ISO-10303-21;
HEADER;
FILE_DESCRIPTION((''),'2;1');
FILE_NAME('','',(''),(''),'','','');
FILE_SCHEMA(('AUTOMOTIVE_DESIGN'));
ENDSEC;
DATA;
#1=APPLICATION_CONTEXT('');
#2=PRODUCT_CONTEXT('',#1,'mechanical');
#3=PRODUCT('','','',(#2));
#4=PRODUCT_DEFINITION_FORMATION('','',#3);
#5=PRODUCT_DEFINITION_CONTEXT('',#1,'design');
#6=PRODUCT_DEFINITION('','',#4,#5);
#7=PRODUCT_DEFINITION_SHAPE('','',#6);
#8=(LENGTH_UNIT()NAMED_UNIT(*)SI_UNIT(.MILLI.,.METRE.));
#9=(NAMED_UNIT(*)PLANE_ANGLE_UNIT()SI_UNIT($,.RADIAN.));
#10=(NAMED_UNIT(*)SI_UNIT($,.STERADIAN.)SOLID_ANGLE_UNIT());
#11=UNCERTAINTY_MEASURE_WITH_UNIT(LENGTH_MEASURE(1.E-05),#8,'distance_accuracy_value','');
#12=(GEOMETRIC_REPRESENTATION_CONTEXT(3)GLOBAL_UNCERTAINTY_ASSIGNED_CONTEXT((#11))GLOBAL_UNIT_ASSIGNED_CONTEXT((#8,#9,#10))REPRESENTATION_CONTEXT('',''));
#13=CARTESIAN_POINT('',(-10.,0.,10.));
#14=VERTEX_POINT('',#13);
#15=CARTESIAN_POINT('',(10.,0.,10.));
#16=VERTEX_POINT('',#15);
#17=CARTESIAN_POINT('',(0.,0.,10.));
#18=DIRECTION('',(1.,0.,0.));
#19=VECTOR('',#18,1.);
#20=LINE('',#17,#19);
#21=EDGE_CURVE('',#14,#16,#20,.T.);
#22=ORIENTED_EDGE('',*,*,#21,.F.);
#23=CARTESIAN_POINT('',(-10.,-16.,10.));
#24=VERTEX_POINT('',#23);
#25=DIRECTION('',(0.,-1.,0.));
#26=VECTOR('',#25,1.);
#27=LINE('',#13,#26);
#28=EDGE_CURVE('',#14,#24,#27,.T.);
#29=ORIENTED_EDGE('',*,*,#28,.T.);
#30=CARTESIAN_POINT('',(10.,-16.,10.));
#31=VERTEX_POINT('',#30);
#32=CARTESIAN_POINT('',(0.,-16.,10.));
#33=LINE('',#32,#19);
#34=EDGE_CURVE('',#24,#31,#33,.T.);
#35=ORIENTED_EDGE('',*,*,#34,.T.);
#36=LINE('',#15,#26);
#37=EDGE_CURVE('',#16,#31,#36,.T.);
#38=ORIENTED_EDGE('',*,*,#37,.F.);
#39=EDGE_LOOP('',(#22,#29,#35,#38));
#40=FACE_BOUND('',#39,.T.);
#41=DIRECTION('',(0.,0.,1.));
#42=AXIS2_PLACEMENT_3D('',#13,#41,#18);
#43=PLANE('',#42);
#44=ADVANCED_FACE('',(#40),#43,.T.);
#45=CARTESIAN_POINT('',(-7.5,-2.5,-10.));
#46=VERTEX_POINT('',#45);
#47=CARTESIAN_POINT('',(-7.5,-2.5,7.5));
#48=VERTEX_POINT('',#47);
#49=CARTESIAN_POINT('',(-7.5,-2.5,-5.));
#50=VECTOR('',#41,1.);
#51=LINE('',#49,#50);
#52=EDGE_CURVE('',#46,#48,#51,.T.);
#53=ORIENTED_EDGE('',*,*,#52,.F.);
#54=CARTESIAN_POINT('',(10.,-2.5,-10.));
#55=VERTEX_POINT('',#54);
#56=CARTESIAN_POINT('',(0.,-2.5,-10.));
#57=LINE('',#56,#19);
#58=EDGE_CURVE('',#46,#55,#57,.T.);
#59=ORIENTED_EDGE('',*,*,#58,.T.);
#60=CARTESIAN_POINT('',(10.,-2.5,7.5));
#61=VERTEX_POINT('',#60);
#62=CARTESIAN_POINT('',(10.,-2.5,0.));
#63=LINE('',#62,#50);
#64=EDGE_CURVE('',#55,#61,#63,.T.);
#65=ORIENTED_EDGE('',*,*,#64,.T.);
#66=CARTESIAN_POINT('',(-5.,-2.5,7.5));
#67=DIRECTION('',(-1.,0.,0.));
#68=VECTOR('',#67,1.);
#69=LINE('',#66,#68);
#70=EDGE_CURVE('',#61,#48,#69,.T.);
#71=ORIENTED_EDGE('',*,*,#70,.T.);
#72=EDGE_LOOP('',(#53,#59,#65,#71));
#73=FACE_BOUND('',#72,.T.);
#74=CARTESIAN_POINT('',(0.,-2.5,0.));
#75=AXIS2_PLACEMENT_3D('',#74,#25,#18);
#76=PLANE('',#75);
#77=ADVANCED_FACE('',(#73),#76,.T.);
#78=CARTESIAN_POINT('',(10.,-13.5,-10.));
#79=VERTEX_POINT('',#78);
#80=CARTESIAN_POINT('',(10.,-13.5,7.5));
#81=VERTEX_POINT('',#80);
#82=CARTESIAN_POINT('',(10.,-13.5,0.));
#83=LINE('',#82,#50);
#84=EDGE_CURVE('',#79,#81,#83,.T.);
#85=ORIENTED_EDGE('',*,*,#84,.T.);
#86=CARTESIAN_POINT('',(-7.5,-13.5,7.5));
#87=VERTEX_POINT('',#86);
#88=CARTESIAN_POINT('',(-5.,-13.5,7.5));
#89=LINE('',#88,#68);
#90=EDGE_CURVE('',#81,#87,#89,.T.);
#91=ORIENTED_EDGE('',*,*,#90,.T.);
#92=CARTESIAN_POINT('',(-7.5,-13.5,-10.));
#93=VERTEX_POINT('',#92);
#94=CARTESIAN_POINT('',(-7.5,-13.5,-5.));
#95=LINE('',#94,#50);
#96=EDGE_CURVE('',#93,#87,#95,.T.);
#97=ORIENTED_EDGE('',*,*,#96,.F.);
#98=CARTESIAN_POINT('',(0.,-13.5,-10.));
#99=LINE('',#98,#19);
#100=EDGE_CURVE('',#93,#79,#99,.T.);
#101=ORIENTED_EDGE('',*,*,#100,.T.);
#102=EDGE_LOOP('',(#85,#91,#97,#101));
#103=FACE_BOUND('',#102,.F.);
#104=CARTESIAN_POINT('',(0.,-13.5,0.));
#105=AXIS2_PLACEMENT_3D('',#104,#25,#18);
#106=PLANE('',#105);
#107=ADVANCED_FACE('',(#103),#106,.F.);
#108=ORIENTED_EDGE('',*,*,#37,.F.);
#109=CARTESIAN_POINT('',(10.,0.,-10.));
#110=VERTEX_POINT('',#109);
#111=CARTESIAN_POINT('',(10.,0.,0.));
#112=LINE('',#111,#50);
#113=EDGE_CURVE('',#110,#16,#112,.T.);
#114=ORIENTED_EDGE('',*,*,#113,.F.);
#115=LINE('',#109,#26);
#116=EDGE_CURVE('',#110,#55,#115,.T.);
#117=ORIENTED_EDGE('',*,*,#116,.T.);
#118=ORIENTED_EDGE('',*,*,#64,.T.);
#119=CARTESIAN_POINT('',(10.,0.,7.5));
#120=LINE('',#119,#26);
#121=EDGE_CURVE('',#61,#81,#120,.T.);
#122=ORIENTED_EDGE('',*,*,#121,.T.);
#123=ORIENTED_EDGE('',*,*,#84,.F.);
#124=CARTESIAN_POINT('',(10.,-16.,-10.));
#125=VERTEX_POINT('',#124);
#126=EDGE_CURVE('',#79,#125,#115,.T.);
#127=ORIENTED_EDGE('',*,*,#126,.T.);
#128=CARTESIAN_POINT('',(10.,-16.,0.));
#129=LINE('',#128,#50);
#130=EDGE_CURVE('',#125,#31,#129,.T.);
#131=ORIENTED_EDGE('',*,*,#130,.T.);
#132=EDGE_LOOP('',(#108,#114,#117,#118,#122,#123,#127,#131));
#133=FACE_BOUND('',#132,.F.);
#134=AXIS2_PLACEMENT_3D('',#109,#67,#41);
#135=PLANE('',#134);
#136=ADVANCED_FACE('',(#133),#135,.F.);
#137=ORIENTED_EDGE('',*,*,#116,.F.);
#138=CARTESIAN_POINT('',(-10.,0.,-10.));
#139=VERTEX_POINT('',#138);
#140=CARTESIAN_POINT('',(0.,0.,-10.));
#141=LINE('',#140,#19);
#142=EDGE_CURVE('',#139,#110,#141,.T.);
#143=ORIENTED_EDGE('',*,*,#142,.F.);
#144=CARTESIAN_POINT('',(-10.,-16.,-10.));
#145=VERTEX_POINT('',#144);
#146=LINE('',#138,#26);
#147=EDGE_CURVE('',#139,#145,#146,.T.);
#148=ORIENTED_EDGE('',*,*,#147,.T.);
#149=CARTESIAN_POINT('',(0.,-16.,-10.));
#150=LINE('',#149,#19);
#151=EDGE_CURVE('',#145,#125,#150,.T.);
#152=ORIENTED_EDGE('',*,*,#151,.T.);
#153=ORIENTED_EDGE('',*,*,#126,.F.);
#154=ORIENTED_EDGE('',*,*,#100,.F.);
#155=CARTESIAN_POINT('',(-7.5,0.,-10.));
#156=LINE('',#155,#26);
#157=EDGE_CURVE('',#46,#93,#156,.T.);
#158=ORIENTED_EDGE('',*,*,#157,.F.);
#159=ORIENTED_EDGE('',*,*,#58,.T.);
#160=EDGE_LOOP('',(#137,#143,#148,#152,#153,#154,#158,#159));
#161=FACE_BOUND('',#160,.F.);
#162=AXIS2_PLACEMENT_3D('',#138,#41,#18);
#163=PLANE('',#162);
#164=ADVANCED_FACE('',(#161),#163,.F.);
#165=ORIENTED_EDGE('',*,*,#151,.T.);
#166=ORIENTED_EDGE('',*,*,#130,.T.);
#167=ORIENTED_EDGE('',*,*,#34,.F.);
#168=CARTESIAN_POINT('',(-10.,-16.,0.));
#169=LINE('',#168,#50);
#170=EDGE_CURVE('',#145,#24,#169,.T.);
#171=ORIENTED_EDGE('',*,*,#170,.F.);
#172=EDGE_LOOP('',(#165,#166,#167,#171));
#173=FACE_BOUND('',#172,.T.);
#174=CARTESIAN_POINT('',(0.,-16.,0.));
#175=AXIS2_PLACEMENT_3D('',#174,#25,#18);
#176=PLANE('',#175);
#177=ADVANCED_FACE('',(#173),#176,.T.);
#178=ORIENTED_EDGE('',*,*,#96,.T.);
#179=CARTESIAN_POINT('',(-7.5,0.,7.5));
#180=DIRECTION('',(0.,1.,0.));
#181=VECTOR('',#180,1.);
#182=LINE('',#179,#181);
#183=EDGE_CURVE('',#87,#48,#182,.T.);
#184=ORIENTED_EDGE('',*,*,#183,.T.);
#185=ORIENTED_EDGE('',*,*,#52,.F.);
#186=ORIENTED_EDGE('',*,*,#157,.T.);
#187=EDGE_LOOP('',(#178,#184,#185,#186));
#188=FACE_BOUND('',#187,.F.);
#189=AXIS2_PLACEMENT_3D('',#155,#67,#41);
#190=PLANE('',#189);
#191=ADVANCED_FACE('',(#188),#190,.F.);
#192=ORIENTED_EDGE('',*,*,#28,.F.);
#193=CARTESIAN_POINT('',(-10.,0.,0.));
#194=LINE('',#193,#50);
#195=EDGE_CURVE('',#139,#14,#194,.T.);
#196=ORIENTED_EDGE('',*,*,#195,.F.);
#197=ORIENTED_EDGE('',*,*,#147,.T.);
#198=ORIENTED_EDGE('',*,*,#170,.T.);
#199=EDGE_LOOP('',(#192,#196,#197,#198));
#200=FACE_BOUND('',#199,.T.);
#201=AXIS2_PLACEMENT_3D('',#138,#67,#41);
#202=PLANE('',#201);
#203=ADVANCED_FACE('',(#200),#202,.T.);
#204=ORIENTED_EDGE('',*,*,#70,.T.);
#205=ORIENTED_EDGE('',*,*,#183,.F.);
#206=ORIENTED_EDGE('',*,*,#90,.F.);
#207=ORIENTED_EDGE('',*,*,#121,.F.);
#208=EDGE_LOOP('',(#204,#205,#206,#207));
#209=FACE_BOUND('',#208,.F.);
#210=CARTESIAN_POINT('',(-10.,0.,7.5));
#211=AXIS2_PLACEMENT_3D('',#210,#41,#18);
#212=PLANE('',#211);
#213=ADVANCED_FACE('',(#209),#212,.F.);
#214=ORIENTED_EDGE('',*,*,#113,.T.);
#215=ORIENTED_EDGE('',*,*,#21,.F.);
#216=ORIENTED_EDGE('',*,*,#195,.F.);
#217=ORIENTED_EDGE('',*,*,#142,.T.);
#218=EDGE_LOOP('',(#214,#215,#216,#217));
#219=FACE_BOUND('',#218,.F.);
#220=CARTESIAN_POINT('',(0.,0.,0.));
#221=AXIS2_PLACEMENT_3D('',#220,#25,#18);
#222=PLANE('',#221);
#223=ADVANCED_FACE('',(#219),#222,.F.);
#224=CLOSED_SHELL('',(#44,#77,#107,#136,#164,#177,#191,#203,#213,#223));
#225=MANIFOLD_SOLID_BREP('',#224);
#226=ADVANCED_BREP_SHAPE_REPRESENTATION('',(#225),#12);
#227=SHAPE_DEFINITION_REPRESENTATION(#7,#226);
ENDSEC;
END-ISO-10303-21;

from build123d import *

# Parameters (mm, degrees)
F0_W     = 20
F0_H     = 20
F1_DEPTH = 16
F2_T     = -2.5


with BuildPart() as f1:
    # F0 (on Front) → F1 (new body)
    with BuildSketch(Plane.XZ):
        Rectangle(F0_W, F0_H)
    extrude(amount=F1_DEPTH)

    # F2
    f2_openings = [f1.faces().sort_by_distance(p)[0] for p in [
        (0, -8, -10),
        (10, -8, 0),
    ]]
    offset(amount=F2_T, openings=f2_openings)


solid = f1.part
